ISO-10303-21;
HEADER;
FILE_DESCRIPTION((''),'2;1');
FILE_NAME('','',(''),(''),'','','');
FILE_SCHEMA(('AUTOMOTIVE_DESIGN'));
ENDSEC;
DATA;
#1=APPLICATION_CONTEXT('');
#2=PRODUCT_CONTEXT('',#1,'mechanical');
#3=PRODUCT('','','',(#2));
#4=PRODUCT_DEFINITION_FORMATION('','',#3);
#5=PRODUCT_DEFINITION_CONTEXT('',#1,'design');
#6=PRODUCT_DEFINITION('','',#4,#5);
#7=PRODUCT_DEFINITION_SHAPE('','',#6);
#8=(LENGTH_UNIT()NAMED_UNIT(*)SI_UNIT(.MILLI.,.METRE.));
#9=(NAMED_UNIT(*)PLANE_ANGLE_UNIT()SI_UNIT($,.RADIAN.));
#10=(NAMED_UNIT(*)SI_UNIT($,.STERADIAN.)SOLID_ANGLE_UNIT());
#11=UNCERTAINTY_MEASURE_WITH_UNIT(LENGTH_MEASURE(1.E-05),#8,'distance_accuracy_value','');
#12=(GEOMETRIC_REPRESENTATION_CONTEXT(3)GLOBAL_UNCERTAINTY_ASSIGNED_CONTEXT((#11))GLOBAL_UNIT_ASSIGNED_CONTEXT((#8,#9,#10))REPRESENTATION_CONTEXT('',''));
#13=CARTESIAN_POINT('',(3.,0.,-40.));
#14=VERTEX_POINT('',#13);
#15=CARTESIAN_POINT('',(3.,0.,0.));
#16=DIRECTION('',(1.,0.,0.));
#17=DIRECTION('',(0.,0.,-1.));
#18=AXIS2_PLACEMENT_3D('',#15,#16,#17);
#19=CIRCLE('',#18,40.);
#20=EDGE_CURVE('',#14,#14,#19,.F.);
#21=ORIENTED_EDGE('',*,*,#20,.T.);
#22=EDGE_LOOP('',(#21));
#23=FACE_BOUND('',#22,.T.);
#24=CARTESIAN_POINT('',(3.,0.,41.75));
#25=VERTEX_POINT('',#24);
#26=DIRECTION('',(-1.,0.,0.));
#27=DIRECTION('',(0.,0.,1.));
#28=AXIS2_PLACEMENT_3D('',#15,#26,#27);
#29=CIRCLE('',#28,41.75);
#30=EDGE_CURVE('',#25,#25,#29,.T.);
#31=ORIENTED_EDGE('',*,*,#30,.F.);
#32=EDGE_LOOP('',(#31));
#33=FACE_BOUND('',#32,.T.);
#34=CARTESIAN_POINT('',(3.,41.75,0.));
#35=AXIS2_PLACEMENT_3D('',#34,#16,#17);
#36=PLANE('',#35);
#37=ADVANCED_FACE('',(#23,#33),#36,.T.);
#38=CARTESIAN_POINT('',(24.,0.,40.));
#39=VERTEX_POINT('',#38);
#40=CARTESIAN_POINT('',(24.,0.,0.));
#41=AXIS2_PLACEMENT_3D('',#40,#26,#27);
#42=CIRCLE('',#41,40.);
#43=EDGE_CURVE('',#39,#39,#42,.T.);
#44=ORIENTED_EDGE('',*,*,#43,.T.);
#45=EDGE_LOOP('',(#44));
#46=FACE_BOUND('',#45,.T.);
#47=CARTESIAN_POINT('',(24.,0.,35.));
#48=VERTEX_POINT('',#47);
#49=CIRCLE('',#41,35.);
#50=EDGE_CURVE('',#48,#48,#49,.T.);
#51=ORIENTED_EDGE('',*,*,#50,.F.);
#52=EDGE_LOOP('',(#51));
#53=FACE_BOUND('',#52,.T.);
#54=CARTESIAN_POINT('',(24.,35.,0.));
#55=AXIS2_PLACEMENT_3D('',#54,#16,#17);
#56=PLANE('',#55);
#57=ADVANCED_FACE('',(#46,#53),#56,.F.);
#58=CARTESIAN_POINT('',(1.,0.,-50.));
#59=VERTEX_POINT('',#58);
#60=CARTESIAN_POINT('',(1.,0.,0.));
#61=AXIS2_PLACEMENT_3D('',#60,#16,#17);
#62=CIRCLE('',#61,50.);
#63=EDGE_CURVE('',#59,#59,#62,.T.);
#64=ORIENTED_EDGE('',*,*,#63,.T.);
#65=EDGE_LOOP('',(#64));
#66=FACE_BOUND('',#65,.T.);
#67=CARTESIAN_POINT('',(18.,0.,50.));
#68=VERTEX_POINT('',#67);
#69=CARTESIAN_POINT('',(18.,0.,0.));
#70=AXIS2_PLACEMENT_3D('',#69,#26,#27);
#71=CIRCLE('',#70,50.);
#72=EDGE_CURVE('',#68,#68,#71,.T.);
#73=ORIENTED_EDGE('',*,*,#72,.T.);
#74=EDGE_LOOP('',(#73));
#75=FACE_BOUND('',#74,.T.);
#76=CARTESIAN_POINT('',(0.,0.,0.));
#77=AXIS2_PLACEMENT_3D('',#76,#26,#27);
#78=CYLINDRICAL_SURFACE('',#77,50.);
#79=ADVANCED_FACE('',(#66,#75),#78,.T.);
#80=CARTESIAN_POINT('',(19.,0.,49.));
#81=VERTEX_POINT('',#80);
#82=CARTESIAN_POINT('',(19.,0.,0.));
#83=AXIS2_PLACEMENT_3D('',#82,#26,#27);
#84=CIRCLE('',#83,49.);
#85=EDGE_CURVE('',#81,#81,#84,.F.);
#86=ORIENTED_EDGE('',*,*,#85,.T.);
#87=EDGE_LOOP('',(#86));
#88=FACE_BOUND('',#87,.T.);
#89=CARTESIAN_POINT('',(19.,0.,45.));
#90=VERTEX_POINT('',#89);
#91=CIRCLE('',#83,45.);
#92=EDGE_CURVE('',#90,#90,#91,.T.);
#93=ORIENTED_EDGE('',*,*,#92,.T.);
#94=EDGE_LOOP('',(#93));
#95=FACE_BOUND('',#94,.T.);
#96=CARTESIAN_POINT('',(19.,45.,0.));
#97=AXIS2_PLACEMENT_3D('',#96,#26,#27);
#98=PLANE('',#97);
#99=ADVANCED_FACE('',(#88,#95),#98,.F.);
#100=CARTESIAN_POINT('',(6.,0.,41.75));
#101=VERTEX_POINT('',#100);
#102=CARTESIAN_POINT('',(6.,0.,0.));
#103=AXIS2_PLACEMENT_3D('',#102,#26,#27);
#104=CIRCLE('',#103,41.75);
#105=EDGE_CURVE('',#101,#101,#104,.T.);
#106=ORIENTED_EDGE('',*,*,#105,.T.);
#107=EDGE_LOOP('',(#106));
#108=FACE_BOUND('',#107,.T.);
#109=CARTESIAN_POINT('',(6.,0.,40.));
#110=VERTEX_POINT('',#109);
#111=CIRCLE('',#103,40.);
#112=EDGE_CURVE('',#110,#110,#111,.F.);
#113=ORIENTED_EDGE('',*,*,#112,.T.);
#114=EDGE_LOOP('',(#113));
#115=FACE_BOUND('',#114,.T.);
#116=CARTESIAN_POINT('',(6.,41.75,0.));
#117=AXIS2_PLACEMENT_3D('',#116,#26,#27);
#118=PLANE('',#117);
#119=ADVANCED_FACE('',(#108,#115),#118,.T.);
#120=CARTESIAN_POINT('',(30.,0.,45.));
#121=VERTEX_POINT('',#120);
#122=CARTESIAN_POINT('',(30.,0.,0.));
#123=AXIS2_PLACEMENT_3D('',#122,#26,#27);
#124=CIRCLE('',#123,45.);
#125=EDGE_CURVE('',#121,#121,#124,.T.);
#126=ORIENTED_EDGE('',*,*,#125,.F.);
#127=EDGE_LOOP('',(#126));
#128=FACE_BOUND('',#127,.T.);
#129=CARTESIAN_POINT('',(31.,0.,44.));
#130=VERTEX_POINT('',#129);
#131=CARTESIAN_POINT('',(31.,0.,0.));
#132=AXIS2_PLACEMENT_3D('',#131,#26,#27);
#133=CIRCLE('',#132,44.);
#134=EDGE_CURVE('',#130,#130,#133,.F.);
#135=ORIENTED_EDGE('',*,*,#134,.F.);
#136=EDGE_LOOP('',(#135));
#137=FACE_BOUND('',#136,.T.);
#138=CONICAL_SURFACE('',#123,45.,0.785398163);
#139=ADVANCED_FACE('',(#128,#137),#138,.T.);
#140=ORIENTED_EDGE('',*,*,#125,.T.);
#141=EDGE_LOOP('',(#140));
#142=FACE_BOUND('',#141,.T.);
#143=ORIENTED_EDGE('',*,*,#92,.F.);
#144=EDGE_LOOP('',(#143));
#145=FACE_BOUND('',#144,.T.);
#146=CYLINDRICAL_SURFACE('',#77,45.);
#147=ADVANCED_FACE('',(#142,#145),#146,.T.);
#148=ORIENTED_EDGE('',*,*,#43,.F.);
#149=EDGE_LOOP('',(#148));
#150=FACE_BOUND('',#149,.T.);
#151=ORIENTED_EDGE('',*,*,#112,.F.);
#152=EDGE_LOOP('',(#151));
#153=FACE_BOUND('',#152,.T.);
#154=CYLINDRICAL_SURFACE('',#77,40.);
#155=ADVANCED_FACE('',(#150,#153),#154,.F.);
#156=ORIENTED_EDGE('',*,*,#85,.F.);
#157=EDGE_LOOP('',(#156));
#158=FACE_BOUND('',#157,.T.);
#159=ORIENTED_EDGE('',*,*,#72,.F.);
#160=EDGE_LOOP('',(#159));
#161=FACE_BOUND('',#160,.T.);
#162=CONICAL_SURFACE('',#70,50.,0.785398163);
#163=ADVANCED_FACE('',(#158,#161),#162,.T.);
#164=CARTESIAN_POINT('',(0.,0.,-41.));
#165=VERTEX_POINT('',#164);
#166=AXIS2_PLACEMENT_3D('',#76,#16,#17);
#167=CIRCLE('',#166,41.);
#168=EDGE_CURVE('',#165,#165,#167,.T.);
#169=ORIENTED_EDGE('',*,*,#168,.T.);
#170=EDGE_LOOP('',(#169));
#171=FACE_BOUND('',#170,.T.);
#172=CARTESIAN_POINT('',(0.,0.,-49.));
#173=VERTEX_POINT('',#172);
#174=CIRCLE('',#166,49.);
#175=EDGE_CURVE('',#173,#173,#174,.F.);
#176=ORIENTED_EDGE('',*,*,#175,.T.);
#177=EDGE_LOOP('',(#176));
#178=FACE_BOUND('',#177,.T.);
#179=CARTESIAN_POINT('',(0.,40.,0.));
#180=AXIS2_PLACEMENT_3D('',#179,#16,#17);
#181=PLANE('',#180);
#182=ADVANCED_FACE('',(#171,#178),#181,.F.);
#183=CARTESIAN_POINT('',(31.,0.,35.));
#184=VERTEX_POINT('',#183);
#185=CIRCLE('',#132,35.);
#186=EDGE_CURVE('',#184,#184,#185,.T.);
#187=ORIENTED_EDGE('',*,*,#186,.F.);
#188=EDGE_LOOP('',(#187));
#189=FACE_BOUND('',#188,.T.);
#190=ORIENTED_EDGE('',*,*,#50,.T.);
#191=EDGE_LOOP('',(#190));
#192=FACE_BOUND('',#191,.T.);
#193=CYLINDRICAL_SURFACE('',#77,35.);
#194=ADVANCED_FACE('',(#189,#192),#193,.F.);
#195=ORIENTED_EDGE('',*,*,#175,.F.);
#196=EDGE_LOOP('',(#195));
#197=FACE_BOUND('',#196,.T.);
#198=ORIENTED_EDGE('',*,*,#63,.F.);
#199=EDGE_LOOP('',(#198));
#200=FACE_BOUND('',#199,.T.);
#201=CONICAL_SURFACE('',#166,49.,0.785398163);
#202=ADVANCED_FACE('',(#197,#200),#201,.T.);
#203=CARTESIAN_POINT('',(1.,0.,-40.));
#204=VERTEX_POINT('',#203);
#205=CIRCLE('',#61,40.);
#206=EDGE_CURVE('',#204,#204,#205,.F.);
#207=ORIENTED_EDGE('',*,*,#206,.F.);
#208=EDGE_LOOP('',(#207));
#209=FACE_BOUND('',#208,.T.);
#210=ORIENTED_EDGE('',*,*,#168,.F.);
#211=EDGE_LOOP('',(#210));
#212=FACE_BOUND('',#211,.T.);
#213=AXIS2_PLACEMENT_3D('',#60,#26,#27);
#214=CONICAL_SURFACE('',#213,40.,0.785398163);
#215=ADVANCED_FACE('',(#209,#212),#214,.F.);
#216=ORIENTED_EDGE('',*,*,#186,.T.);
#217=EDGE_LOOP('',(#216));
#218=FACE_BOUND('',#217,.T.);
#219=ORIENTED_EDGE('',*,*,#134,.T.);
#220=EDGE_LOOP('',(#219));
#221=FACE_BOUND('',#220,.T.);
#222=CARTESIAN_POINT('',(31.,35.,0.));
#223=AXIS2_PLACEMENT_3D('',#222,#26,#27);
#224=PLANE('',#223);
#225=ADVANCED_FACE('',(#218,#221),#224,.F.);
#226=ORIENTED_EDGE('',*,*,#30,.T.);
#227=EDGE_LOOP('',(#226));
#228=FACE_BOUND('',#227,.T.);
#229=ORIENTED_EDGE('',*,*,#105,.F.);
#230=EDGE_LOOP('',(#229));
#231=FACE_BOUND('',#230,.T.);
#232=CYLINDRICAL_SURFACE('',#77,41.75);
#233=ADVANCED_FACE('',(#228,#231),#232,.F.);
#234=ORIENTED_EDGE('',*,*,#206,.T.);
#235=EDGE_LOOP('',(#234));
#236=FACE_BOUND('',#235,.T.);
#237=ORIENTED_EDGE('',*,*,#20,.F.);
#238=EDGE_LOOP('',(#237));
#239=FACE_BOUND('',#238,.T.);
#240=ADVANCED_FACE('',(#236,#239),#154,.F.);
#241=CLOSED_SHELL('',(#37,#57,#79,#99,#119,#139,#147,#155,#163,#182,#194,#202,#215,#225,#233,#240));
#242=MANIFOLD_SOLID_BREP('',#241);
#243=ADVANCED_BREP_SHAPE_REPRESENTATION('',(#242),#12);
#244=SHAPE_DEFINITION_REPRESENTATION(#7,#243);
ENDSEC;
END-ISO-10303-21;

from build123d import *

# Parameters (mm, degrees)
CHAMFER_1_SIZE = 1
SKETCH_2_W     = 3
SKETCH_2_H     = 41.75


with BuildPart() as part:
    # Эскиз1 → Повернуть1 (revolve)
    with BuildSketch(Plane.XY, mode=Mode.PRIVATE) as revolve_1_sk:
        Polygon((31, 35), (31, 45), (19, 45), (19, 50), (0, 50), (0, 40), (24, 40), (24, 35), align=None)
    revolve(revolve_1_sk.sketch.rotate(Axis((0, 0, 0), (1, 0, 0)), 90), axis=Axis((0, 0, 0), (1, 0, 0)))

    # Фаска1
    chamfer_1_edges = [part.edges().sort_by_distance(p)[0] for p in [
        (31, 0, -45),
        (0, 0, -40),
        (0, 0, -50),
        (19, 0, -50),
    ]]
    chamfer(chamfer_1_edges, length=CHAMFER_1_SIZE)

    # Эскиз2 → Вырез-Повернуть1 (revolve, cut)
    with BuildSketch(Plane.XY, mode=Mode.PRIVATE) as cut_revolve_1_sk:
        with Locations((4.5, 20.875)):
            Rectangle(SKETCH_2_W, SKETCH_2_H)
    revolve(cut_revolve_1_sk.sketch.rotate(Axis((0, 0, 0), (1, 0, 0)), 270), axis=Axis((0, 0, 0), (1, 0, 0)), mode=Mode.SUBTRACT)


solid = part.part
